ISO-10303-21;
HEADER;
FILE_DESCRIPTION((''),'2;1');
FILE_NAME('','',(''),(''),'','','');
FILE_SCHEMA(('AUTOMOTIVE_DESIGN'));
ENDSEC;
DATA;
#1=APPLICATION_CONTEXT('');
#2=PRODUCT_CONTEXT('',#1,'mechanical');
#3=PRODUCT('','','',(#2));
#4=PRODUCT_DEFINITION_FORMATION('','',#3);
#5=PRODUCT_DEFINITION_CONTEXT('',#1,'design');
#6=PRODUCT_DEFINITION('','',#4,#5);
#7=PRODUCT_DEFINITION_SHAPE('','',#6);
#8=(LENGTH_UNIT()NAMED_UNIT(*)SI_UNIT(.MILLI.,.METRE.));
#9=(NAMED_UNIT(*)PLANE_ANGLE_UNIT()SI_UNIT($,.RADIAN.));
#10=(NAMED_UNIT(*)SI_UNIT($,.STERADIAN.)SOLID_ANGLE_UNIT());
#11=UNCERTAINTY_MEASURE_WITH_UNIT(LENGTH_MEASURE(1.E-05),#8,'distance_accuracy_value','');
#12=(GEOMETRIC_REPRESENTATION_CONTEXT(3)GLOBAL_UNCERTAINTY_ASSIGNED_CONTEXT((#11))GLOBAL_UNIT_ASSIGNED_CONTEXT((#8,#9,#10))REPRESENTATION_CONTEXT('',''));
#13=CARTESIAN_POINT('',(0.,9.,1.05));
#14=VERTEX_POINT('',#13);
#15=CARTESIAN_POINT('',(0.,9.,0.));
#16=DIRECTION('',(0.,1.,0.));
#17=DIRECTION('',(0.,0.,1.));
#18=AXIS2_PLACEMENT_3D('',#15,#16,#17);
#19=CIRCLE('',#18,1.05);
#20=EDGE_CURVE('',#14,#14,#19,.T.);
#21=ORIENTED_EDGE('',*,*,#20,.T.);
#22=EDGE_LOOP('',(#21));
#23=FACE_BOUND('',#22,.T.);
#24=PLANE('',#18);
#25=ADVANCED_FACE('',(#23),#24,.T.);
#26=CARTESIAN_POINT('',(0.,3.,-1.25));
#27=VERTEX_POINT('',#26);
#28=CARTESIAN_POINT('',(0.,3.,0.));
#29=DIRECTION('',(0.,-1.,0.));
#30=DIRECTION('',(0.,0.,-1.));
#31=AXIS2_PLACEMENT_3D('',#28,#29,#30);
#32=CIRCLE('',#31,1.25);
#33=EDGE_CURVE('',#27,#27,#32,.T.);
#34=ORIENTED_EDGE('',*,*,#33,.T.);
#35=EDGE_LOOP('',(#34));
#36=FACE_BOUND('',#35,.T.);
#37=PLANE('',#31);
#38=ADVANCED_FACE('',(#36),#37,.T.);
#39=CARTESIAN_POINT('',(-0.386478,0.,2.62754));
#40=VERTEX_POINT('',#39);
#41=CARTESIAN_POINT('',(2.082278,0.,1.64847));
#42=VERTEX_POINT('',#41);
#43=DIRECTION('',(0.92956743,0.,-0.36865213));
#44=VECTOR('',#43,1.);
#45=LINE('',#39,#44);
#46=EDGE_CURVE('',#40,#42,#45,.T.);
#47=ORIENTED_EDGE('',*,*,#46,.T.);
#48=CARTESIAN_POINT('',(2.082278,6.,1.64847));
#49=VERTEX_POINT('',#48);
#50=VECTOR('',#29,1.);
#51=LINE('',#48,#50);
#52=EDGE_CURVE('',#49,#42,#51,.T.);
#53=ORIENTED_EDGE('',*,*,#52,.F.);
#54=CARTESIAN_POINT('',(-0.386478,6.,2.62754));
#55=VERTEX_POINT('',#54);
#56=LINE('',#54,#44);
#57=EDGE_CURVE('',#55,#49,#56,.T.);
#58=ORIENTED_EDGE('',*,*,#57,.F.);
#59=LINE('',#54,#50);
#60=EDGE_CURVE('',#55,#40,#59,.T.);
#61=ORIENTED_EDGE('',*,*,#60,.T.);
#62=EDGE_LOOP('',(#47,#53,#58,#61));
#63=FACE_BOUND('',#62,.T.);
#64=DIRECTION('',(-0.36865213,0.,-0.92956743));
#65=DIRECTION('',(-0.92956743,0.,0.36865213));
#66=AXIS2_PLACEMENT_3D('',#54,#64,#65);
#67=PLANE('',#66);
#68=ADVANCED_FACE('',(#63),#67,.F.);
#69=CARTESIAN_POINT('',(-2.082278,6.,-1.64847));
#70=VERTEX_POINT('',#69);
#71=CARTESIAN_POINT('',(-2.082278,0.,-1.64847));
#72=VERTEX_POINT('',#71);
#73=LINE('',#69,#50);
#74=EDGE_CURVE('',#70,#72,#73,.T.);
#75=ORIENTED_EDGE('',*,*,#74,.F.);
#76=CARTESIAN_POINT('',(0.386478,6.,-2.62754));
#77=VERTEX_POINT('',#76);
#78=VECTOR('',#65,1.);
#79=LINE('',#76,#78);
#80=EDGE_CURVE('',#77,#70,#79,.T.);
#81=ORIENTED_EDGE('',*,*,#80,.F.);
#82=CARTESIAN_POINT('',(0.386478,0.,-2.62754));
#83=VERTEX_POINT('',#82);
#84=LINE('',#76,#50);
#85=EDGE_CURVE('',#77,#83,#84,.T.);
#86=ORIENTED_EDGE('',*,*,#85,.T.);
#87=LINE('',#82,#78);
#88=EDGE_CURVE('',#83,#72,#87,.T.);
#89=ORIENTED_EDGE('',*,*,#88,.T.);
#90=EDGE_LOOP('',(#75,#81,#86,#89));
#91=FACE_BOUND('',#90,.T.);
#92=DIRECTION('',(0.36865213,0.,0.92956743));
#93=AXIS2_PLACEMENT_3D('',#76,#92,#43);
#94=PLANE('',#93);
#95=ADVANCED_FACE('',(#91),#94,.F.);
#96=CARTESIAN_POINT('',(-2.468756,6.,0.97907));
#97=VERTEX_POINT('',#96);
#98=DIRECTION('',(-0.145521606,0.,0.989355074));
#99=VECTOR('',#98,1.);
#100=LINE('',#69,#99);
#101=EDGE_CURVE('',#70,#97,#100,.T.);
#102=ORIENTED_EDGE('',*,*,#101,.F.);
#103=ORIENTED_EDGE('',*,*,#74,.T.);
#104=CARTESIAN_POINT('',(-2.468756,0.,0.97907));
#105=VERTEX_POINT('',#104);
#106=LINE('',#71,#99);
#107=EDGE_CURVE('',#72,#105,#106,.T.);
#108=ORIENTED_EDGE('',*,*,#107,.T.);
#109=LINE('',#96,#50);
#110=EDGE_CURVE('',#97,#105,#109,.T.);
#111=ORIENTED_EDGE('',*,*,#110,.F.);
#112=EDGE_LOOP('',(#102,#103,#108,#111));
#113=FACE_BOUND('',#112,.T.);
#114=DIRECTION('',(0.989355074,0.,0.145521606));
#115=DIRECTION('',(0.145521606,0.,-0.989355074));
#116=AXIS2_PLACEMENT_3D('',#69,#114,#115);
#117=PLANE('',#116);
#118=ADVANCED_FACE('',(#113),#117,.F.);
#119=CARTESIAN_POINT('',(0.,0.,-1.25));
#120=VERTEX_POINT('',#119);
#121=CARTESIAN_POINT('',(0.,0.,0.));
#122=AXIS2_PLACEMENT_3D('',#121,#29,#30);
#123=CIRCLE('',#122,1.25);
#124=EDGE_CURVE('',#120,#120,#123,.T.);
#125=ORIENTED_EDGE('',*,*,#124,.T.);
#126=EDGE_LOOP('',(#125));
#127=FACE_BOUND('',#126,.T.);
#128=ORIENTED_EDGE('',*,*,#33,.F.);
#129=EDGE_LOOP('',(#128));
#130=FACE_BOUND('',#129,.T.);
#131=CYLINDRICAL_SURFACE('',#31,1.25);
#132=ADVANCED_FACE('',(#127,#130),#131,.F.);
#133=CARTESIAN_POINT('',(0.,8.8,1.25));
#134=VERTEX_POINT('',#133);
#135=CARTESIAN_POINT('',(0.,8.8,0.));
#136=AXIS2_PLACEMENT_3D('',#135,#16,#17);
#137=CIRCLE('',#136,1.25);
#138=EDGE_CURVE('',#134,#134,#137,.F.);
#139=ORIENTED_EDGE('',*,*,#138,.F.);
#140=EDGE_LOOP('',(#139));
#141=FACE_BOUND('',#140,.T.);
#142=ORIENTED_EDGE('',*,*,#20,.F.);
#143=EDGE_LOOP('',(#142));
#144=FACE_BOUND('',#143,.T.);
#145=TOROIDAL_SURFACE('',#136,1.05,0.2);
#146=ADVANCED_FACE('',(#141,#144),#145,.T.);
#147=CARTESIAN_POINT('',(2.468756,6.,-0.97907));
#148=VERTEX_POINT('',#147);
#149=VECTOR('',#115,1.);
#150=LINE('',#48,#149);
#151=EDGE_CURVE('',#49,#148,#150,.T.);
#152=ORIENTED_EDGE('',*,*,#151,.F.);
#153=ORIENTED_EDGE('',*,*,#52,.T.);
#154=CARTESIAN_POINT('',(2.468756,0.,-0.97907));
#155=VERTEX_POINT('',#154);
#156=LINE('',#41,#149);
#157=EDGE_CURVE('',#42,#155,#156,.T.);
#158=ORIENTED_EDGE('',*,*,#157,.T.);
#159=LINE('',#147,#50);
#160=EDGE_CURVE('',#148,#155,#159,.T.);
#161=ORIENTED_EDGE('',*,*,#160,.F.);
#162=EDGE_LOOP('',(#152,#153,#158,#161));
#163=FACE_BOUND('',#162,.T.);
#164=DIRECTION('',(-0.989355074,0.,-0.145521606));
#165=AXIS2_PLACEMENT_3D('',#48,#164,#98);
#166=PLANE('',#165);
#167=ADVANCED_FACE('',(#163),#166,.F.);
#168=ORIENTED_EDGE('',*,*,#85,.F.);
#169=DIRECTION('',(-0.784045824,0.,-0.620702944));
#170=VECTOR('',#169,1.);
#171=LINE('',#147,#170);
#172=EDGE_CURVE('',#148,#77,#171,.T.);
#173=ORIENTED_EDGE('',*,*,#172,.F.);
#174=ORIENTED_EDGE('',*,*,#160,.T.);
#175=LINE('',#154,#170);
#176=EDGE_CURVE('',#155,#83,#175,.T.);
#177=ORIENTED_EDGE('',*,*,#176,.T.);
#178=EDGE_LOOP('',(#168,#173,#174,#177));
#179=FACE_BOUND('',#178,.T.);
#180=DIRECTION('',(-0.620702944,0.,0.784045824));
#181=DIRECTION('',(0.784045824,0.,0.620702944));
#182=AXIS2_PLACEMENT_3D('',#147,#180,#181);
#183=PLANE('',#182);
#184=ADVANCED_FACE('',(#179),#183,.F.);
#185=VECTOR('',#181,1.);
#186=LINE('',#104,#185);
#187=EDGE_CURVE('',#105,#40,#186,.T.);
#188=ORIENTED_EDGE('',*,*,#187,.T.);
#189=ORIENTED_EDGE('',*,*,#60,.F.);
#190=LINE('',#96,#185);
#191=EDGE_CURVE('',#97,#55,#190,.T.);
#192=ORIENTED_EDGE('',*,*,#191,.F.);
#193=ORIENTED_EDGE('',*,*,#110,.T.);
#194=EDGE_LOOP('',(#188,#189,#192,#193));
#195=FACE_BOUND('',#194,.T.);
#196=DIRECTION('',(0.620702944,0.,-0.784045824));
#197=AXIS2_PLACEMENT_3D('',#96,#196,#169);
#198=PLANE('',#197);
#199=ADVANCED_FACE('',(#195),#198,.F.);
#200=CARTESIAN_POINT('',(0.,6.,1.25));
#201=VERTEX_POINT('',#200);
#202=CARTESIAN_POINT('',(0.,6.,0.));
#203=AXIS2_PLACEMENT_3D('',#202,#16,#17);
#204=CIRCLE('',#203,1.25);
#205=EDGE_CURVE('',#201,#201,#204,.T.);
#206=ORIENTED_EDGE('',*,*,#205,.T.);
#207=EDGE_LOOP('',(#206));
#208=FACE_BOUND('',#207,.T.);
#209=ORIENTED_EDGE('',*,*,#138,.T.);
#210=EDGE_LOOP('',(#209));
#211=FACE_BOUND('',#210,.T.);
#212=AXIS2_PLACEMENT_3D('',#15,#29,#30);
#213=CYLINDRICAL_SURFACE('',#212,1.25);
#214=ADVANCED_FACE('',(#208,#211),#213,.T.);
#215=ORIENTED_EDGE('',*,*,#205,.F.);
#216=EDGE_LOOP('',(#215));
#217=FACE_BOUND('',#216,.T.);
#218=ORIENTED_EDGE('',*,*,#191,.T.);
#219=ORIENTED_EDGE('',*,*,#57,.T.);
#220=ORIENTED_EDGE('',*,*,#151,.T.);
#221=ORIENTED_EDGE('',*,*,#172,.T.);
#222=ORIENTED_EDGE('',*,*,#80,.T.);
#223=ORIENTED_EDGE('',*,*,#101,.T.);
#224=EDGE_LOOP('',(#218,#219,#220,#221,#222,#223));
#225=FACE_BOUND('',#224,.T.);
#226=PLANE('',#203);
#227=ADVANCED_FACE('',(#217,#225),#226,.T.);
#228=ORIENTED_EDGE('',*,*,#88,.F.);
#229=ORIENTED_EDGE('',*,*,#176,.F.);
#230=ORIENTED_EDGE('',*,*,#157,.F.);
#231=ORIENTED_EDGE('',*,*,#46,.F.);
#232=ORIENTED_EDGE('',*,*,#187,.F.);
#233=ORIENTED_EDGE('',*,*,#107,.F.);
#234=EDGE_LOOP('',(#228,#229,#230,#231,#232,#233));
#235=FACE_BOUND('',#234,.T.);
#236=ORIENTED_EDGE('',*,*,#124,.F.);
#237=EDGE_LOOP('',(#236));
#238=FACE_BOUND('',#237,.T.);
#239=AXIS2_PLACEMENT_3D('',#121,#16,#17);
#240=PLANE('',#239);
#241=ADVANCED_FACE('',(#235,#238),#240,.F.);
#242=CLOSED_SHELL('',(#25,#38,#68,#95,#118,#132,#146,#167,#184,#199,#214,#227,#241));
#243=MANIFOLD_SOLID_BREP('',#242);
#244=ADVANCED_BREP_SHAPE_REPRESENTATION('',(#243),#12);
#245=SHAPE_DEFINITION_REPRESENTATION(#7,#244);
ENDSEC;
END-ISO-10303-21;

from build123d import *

# Parameters (mm, degrees)
SALIENTE_EXTRUIR1_DEPTH = 6
CROQUIS_CARA_R          = 1.25
SALIENTE_EXTRUIR2_DEPTH = 3
REDONDEO1_R             = 0.2
CROQUIS1_R              = 1.25
CORTAR_EXTRUIR1_DEPTH   = 3


with BuildPart() as part:
    # Croquis base → Saliente-Extruir1 (new body)
    with BuildSketch(Plane(origin=(0, 0, 0), x_dir=(1, 0, 0), z_dir=(0, 1, 0))):
        Polygon((2.082277712, -1.648469855), (2.468755628, 0.979070469), (0.386477916, 2.627540324), (-2.082277712, 1.648469855), (-2.468755628, -0.979070469), (-0.386477916, -2.627540324), align=None)
    extrude(amount=SALIENTE_EXTRUIR1_DEPTH)

    # Croquis cara → Saliente-Extruir2 (add)
    with BuildSketch(Plane(origin=(0, 6, 0), x_dir=(1, 0, 0), z_dir=(0, 1, 0))):
        with Locations(Location((0, 0, 0), (0, 0, 270))):
            Circle(CROQUIS_CARA_R)
    extrude(amount=SALIENTE_EXTRUIR2_DEPTH)

    # Redondeo1
    redondeo1_edges = [part.edges().sort_by_distance(p)[0] for p in [
        (0, 9, -1.25),
    ]]
    fillet(redondeo1_edges, radius=REDONDEO1_R)

    # Croquis1 → Cortar-Extruir1 (cut)
    with BuildSketch(Plane.XZ):
        with Locations(Location((0, 0, 0), (0, 0, 90))):
            Circle(CROQUIS1_R)
    extrude(amount=-CORTAR_EXTRUIR1_DEPTH, mode=Mode.SUBTRACT)


solid = part.part
